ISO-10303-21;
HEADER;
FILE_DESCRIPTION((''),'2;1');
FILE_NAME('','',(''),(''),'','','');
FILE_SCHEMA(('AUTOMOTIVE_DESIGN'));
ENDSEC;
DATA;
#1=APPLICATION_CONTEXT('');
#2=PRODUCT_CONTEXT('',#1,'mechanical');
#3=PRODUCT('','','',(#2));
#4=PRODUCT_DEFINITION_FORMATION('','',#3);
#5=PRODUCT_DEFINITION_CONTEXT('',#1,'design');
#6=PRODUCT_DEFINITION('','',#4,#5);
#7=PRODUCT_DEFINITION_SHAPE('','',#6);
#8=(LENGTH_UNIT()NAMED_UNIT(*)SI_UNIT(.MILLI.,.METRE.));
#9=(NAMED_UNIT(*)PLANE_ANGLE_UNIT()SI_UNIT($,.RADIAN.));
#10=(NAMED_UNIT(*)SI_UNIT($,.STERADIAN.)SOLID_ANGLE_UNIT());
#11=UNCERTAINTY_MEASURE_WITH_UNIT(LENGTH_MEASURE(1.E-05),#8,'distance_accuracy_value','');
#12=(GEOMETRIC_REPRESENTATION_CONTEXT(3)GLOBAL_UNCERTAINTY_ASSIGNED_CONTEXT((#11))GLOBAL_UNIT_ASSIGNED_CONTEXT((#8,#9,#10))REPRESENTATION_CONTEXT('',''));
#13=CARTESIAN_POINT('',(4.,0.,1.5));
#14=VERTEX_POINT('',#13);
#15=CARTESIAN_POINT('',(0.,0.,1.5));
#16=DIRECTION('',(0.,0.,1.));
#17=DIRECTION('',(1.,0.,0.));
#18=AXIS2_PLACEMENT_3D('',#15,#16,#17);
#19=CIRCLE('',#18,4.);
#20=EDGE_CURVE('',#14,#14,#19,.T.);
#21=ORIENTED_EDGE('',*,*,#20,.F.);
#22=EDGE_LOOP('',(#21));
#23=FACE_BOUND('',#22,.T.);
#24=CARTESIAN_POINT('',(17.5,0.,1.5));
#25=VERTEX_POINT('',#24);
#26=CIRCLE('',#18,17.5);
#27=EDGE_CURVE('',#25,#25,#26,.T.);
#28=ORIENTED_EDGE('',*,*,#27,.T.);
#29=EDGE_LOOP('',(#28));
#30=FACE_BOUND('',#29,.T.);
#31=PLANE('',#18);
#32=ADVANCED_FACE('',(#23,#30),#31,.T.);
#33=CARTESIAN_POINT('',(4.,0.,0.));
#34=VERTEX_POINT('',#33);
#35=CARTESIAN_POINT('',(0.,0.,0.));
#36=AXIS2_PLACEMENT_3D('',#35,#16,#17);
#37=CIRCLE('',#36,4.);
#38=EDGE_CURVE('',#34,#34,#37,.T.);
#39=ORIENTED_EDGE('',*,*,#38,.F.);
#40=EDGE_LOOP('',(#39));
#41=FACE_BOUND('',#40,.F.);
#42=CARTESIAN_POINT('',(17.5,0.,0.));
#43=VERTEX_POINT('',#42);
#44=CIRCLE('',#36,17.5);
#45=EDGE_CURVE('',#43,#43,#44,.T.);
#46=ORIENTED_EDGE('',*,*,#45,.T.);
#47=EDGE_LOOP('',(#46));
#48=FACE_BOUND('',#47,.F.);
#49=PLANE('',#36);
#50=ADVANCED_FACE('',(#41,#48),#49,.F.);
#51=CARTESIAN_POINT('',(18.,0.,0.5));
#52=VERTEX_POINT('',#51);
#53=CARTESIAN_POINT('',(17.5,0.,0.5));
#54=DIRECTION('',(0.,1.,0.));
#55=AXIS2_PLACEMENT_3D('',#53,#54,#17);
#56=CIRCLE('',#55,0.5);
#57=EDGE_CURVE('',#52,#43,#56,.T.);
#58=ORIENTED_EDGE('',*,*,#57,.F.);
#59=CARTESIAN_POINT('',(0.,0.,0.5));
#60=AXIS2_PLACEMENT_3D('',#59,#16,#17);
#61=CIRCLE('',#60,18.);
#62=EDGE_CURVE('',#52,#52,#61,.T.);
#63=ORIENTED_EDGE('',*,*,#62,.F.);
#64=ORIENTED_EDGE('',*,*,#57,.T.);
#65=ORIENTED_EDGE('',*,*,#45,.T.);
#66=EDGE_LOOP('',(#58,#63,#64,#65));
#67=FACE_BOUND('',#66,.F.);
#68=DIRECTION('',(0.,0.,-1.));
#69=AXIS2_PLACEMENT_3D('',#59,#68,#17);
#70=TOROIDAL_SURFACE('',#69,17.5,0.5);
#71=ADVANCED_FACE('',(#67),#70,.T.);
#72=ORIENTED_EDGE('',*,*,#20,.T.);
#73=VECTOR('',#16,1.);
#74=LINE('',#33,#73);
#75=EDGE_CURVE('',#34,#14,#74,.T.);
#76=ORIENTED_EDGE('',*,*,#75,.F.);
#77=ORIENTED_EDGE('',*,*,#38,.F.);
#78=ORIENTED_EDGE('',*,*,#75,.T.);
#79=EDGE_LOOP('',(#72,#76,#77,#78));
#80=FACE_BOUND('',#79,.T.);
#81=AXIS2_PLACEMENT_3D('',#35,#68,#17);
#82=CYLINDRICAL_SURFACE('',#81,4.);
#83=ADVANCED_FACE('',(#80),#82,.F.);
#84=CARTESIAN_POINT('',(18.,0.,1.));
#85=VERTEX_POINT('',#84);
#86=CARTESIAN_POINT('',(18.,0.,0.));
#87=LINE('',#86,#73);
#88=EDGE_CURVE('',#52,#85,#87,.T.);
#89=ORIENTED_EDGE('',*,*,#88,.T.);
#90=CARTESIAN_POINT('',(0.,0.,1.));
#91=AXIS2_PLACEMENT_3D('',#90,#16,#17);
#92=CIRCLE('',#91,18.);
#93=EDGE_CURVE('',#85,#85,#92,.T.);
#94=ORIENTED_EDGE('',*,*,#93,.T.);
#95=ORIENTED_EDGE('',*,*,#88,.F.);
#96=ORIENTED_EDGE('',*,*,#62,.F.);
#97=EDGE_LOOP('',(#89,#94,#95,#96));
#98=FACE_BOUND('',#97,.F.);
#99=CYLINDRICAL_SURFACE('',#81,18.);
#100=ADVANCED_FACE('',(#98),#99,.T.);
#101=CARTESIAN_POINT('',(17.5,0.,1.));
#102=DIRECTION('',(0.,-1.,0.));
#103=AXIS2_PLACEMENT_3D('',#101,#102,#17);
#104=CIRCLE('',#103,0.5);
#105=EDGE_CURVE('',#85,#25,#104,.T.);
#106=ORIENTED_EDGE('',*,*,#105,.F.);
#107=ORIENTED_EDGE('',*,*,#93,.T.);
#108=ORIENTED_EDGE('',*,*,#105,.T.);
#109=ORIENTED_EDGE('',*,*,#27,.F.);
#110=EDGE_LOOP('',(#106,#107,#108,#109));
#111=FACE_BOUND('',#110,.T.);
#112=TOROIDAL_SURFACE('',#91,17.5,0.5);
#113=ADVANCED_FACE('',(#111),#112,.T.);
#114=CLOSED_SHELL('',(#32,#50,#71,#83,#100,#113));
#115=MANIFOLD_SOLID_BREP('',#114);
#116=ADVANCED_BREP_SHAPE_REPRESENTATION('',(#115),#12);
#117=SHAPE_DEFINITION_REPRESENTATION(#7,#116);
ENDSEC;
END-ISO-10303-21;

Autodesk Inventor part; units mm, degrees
ref_plane "YZ Plane" through (0, 0, 0) normal (1, 0, 0) x (0, 1, 0)
ref_plane "XZ Plane" through (0, 0, 0) normal (0, 1, 0) x (-1, 0, 0)
ref_plane "XY Plane" through (0, 0, 0) normal (0, 0, 1) x (1, 0, 0)
sketch "Sketch" plane through (0, 0, 0) normal (0, 0, 1) x (1, 0, 0)
  circle A0 centre (0, 0) radius 4
  circle A1 centre (0, 0) radius 18
  dimension "d0" = 8
  dimension "d1" = 36
extrude "Ring" add sketch "Sketch" along normal blind 1.5
fillet "Fillet1" radius 0.5 2 edges at (-18, 0, 1.5) (-18, 0, 0)
properties part number "JLF-TP-8YT_ring" material "ABS Plastic"
